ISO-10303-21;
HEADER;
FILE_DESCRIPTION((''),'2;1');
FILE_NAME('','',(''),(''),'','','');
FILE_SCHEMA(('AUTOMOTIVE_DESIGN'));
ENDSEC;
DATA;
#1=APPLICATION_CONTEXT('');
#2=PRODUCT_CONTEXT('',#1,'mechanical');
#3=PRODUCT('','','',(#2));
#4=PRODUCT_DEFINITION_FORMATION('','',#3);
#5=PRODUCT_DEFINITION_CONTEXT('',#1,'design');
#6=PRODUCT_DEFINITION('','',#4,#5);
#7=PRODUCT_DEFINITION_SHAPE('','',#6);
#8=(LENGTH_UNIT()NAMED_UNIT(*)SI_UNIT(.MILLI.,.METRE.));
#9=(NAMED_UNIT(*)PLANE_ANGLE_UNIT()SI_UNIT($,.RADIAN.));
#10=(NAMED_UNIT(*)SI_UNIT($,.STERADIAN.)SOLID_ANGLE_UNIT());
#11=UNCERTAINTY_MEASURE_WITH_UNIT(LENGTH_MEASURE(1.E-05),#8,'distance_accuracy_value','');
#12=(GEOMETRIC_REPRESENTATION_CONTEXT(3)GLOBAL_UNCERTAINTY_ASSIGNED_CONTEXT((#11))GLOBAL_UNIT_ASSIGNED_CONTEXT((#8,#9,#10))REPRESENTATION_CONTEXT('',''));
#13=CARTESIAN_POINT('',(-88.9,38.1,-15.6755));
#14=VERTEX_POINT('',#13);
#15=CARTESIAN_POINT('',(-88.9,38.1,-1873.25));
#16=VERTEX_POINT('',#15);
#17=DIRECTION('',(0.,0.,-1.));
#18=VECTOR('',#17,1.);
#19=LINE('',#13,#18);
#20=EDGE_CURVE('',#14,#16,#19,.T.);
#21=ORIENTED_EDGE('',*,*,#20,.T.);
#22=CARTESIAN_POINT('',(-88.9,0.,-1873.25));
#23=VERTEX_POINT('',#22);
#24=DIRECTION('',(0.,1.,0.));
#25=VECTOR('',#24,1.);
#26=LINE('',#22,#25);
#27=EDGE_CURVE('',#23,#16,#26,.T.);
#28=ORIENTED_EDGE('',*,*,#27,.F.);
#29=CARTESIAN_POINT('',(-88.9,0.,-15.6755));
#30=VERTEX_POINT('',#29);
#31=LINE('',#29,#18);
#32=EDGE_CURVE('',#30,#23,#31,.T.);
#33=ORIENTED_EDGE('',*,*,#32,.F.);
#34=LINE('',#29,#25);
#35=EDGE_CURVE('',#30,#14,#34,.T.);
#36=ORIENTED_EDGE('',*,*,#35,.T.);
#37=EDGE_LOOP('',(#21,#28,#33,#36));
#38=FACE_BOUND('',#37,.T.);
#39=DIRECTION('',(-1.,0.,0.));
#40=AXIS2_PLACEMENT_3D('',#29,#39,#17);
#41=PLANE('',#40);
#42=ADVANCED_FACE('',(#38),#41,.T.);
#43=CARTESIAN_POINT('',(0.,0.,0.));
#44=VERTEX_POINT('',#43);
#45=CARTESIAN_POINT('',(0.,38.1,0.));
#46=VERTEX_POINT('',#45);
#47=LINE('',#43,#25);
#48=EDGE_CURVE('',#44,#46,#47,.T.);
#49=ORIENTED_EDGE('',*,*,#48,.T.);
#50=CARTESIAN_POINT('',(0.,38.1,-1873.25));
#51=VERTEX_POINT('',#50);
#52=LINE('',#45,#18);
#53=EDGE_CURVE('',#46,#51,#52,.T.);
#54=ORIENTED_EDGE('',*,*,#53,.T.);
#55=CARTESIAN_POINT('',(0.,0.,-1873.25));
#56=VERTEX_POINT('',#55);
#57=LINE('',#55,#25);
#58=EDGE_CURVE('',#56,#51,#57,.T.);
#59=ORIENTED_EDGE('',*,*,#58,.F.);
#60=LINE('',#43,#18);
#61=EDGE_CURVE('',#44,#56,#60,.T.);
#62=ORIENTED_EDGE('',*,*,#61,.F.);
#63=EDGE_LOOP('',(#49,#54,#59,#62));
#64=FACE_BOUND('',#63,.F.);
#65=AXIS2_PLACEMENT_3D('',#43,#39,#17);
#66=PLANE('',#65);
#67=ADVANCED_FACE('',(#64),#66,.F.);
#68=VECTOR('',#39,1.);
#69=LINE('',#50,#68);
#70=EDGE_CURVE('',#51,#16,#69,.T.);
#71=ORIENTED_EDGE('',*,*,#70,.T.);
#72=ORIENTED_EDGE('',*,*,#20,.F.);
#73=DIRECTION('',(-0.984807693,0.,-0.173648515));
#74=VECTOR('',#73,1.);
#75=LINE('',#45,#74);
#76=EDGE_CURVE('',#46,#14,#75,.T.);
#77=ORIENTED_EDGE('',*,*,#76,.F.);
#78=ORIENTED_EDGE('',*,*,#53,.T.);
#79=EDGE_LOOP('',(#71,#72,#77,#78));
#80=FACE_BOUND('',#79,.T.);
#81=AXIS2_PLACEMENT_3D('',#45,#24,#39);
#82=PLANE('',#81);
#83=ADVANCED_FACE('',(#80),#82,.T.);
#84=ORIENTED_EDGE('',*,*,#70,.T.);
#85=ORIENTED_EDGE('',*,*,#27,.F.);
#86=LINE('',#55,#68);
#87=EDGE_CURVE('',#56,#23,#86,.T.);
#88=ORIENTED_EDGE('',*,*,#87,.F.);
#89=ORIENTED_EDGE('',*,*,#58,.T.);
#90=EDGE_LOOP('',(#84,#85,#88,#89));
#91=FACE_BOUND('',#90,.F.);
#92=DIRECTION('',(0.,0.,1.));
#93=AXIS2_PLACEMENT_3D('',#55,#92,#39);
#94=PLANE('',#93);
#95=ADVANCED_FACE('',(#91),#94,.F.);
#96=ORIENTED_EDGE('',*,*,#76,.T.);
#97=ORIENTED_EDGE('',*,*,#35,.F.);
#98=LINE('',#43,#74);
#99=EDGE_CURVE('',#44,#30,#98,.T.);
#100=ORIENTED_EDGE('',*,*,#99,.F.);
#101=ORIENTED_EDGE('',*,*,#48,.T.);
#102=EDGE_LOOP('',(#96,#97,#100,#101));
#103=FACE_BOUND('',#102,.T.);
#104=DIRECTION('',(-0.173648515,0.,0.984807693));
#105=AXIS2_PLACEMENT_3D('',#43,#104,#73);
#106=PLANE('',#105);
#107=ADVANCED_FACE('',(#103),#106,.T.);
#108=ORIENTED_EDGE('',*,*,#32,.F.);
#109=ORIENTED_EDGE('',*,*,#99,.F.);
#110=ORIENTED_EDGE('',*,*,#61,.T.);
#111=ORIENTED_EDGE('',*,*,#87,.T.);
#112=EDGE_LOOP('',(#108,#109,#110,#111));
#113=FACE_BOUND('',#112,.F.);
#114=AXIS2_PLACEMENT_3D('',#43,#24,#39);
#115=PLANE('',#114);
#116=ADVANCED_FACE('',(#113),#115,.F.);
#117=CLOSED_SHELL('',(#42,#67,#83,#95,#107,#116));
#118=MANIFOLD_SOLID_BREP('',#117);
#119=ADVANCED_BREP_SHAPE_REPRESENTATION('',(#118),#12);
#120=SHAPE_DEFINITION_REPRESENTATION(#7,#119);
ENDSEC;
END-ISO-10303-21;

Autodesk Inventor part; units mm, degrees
ref_plane "YZ Plane" through (0, 0, 0) normal (1, 0, 0) x (0, 1, 0)
ref_plane "XZ Plane" through (0, 0, 0) normal (0, 1, 0) x (-1, 0, 0)
ref_plane "XY Plane" through (0, 0, 0) normal (0, 0, 1) x (1, 0, 0)
sketch "Sketch1" plane through (0, 0, 0) normal (0, 1, 0) x (-1, 0, 0)
  line L0 (0, 0) -> (88.9, -15.6755)
  line L1 (0, 0) -> (117.2884, 0) construction
  line L2 (88.9, -15.6755) -> (88.9, -1873.25)
  line L3 (0, 0) -> (0, -1873.25)
  line L4 (0, -1873.25) -> (0, 0)
  line L5 (0, 0) -> (0, -1873.25)
  line L6 (0, -1873.25) -> (88.9, -1873.25)
extrude "Extrusion1" add sketch "Sketch1" along normal blind 38.1
properties part number "S_2x4x82"
